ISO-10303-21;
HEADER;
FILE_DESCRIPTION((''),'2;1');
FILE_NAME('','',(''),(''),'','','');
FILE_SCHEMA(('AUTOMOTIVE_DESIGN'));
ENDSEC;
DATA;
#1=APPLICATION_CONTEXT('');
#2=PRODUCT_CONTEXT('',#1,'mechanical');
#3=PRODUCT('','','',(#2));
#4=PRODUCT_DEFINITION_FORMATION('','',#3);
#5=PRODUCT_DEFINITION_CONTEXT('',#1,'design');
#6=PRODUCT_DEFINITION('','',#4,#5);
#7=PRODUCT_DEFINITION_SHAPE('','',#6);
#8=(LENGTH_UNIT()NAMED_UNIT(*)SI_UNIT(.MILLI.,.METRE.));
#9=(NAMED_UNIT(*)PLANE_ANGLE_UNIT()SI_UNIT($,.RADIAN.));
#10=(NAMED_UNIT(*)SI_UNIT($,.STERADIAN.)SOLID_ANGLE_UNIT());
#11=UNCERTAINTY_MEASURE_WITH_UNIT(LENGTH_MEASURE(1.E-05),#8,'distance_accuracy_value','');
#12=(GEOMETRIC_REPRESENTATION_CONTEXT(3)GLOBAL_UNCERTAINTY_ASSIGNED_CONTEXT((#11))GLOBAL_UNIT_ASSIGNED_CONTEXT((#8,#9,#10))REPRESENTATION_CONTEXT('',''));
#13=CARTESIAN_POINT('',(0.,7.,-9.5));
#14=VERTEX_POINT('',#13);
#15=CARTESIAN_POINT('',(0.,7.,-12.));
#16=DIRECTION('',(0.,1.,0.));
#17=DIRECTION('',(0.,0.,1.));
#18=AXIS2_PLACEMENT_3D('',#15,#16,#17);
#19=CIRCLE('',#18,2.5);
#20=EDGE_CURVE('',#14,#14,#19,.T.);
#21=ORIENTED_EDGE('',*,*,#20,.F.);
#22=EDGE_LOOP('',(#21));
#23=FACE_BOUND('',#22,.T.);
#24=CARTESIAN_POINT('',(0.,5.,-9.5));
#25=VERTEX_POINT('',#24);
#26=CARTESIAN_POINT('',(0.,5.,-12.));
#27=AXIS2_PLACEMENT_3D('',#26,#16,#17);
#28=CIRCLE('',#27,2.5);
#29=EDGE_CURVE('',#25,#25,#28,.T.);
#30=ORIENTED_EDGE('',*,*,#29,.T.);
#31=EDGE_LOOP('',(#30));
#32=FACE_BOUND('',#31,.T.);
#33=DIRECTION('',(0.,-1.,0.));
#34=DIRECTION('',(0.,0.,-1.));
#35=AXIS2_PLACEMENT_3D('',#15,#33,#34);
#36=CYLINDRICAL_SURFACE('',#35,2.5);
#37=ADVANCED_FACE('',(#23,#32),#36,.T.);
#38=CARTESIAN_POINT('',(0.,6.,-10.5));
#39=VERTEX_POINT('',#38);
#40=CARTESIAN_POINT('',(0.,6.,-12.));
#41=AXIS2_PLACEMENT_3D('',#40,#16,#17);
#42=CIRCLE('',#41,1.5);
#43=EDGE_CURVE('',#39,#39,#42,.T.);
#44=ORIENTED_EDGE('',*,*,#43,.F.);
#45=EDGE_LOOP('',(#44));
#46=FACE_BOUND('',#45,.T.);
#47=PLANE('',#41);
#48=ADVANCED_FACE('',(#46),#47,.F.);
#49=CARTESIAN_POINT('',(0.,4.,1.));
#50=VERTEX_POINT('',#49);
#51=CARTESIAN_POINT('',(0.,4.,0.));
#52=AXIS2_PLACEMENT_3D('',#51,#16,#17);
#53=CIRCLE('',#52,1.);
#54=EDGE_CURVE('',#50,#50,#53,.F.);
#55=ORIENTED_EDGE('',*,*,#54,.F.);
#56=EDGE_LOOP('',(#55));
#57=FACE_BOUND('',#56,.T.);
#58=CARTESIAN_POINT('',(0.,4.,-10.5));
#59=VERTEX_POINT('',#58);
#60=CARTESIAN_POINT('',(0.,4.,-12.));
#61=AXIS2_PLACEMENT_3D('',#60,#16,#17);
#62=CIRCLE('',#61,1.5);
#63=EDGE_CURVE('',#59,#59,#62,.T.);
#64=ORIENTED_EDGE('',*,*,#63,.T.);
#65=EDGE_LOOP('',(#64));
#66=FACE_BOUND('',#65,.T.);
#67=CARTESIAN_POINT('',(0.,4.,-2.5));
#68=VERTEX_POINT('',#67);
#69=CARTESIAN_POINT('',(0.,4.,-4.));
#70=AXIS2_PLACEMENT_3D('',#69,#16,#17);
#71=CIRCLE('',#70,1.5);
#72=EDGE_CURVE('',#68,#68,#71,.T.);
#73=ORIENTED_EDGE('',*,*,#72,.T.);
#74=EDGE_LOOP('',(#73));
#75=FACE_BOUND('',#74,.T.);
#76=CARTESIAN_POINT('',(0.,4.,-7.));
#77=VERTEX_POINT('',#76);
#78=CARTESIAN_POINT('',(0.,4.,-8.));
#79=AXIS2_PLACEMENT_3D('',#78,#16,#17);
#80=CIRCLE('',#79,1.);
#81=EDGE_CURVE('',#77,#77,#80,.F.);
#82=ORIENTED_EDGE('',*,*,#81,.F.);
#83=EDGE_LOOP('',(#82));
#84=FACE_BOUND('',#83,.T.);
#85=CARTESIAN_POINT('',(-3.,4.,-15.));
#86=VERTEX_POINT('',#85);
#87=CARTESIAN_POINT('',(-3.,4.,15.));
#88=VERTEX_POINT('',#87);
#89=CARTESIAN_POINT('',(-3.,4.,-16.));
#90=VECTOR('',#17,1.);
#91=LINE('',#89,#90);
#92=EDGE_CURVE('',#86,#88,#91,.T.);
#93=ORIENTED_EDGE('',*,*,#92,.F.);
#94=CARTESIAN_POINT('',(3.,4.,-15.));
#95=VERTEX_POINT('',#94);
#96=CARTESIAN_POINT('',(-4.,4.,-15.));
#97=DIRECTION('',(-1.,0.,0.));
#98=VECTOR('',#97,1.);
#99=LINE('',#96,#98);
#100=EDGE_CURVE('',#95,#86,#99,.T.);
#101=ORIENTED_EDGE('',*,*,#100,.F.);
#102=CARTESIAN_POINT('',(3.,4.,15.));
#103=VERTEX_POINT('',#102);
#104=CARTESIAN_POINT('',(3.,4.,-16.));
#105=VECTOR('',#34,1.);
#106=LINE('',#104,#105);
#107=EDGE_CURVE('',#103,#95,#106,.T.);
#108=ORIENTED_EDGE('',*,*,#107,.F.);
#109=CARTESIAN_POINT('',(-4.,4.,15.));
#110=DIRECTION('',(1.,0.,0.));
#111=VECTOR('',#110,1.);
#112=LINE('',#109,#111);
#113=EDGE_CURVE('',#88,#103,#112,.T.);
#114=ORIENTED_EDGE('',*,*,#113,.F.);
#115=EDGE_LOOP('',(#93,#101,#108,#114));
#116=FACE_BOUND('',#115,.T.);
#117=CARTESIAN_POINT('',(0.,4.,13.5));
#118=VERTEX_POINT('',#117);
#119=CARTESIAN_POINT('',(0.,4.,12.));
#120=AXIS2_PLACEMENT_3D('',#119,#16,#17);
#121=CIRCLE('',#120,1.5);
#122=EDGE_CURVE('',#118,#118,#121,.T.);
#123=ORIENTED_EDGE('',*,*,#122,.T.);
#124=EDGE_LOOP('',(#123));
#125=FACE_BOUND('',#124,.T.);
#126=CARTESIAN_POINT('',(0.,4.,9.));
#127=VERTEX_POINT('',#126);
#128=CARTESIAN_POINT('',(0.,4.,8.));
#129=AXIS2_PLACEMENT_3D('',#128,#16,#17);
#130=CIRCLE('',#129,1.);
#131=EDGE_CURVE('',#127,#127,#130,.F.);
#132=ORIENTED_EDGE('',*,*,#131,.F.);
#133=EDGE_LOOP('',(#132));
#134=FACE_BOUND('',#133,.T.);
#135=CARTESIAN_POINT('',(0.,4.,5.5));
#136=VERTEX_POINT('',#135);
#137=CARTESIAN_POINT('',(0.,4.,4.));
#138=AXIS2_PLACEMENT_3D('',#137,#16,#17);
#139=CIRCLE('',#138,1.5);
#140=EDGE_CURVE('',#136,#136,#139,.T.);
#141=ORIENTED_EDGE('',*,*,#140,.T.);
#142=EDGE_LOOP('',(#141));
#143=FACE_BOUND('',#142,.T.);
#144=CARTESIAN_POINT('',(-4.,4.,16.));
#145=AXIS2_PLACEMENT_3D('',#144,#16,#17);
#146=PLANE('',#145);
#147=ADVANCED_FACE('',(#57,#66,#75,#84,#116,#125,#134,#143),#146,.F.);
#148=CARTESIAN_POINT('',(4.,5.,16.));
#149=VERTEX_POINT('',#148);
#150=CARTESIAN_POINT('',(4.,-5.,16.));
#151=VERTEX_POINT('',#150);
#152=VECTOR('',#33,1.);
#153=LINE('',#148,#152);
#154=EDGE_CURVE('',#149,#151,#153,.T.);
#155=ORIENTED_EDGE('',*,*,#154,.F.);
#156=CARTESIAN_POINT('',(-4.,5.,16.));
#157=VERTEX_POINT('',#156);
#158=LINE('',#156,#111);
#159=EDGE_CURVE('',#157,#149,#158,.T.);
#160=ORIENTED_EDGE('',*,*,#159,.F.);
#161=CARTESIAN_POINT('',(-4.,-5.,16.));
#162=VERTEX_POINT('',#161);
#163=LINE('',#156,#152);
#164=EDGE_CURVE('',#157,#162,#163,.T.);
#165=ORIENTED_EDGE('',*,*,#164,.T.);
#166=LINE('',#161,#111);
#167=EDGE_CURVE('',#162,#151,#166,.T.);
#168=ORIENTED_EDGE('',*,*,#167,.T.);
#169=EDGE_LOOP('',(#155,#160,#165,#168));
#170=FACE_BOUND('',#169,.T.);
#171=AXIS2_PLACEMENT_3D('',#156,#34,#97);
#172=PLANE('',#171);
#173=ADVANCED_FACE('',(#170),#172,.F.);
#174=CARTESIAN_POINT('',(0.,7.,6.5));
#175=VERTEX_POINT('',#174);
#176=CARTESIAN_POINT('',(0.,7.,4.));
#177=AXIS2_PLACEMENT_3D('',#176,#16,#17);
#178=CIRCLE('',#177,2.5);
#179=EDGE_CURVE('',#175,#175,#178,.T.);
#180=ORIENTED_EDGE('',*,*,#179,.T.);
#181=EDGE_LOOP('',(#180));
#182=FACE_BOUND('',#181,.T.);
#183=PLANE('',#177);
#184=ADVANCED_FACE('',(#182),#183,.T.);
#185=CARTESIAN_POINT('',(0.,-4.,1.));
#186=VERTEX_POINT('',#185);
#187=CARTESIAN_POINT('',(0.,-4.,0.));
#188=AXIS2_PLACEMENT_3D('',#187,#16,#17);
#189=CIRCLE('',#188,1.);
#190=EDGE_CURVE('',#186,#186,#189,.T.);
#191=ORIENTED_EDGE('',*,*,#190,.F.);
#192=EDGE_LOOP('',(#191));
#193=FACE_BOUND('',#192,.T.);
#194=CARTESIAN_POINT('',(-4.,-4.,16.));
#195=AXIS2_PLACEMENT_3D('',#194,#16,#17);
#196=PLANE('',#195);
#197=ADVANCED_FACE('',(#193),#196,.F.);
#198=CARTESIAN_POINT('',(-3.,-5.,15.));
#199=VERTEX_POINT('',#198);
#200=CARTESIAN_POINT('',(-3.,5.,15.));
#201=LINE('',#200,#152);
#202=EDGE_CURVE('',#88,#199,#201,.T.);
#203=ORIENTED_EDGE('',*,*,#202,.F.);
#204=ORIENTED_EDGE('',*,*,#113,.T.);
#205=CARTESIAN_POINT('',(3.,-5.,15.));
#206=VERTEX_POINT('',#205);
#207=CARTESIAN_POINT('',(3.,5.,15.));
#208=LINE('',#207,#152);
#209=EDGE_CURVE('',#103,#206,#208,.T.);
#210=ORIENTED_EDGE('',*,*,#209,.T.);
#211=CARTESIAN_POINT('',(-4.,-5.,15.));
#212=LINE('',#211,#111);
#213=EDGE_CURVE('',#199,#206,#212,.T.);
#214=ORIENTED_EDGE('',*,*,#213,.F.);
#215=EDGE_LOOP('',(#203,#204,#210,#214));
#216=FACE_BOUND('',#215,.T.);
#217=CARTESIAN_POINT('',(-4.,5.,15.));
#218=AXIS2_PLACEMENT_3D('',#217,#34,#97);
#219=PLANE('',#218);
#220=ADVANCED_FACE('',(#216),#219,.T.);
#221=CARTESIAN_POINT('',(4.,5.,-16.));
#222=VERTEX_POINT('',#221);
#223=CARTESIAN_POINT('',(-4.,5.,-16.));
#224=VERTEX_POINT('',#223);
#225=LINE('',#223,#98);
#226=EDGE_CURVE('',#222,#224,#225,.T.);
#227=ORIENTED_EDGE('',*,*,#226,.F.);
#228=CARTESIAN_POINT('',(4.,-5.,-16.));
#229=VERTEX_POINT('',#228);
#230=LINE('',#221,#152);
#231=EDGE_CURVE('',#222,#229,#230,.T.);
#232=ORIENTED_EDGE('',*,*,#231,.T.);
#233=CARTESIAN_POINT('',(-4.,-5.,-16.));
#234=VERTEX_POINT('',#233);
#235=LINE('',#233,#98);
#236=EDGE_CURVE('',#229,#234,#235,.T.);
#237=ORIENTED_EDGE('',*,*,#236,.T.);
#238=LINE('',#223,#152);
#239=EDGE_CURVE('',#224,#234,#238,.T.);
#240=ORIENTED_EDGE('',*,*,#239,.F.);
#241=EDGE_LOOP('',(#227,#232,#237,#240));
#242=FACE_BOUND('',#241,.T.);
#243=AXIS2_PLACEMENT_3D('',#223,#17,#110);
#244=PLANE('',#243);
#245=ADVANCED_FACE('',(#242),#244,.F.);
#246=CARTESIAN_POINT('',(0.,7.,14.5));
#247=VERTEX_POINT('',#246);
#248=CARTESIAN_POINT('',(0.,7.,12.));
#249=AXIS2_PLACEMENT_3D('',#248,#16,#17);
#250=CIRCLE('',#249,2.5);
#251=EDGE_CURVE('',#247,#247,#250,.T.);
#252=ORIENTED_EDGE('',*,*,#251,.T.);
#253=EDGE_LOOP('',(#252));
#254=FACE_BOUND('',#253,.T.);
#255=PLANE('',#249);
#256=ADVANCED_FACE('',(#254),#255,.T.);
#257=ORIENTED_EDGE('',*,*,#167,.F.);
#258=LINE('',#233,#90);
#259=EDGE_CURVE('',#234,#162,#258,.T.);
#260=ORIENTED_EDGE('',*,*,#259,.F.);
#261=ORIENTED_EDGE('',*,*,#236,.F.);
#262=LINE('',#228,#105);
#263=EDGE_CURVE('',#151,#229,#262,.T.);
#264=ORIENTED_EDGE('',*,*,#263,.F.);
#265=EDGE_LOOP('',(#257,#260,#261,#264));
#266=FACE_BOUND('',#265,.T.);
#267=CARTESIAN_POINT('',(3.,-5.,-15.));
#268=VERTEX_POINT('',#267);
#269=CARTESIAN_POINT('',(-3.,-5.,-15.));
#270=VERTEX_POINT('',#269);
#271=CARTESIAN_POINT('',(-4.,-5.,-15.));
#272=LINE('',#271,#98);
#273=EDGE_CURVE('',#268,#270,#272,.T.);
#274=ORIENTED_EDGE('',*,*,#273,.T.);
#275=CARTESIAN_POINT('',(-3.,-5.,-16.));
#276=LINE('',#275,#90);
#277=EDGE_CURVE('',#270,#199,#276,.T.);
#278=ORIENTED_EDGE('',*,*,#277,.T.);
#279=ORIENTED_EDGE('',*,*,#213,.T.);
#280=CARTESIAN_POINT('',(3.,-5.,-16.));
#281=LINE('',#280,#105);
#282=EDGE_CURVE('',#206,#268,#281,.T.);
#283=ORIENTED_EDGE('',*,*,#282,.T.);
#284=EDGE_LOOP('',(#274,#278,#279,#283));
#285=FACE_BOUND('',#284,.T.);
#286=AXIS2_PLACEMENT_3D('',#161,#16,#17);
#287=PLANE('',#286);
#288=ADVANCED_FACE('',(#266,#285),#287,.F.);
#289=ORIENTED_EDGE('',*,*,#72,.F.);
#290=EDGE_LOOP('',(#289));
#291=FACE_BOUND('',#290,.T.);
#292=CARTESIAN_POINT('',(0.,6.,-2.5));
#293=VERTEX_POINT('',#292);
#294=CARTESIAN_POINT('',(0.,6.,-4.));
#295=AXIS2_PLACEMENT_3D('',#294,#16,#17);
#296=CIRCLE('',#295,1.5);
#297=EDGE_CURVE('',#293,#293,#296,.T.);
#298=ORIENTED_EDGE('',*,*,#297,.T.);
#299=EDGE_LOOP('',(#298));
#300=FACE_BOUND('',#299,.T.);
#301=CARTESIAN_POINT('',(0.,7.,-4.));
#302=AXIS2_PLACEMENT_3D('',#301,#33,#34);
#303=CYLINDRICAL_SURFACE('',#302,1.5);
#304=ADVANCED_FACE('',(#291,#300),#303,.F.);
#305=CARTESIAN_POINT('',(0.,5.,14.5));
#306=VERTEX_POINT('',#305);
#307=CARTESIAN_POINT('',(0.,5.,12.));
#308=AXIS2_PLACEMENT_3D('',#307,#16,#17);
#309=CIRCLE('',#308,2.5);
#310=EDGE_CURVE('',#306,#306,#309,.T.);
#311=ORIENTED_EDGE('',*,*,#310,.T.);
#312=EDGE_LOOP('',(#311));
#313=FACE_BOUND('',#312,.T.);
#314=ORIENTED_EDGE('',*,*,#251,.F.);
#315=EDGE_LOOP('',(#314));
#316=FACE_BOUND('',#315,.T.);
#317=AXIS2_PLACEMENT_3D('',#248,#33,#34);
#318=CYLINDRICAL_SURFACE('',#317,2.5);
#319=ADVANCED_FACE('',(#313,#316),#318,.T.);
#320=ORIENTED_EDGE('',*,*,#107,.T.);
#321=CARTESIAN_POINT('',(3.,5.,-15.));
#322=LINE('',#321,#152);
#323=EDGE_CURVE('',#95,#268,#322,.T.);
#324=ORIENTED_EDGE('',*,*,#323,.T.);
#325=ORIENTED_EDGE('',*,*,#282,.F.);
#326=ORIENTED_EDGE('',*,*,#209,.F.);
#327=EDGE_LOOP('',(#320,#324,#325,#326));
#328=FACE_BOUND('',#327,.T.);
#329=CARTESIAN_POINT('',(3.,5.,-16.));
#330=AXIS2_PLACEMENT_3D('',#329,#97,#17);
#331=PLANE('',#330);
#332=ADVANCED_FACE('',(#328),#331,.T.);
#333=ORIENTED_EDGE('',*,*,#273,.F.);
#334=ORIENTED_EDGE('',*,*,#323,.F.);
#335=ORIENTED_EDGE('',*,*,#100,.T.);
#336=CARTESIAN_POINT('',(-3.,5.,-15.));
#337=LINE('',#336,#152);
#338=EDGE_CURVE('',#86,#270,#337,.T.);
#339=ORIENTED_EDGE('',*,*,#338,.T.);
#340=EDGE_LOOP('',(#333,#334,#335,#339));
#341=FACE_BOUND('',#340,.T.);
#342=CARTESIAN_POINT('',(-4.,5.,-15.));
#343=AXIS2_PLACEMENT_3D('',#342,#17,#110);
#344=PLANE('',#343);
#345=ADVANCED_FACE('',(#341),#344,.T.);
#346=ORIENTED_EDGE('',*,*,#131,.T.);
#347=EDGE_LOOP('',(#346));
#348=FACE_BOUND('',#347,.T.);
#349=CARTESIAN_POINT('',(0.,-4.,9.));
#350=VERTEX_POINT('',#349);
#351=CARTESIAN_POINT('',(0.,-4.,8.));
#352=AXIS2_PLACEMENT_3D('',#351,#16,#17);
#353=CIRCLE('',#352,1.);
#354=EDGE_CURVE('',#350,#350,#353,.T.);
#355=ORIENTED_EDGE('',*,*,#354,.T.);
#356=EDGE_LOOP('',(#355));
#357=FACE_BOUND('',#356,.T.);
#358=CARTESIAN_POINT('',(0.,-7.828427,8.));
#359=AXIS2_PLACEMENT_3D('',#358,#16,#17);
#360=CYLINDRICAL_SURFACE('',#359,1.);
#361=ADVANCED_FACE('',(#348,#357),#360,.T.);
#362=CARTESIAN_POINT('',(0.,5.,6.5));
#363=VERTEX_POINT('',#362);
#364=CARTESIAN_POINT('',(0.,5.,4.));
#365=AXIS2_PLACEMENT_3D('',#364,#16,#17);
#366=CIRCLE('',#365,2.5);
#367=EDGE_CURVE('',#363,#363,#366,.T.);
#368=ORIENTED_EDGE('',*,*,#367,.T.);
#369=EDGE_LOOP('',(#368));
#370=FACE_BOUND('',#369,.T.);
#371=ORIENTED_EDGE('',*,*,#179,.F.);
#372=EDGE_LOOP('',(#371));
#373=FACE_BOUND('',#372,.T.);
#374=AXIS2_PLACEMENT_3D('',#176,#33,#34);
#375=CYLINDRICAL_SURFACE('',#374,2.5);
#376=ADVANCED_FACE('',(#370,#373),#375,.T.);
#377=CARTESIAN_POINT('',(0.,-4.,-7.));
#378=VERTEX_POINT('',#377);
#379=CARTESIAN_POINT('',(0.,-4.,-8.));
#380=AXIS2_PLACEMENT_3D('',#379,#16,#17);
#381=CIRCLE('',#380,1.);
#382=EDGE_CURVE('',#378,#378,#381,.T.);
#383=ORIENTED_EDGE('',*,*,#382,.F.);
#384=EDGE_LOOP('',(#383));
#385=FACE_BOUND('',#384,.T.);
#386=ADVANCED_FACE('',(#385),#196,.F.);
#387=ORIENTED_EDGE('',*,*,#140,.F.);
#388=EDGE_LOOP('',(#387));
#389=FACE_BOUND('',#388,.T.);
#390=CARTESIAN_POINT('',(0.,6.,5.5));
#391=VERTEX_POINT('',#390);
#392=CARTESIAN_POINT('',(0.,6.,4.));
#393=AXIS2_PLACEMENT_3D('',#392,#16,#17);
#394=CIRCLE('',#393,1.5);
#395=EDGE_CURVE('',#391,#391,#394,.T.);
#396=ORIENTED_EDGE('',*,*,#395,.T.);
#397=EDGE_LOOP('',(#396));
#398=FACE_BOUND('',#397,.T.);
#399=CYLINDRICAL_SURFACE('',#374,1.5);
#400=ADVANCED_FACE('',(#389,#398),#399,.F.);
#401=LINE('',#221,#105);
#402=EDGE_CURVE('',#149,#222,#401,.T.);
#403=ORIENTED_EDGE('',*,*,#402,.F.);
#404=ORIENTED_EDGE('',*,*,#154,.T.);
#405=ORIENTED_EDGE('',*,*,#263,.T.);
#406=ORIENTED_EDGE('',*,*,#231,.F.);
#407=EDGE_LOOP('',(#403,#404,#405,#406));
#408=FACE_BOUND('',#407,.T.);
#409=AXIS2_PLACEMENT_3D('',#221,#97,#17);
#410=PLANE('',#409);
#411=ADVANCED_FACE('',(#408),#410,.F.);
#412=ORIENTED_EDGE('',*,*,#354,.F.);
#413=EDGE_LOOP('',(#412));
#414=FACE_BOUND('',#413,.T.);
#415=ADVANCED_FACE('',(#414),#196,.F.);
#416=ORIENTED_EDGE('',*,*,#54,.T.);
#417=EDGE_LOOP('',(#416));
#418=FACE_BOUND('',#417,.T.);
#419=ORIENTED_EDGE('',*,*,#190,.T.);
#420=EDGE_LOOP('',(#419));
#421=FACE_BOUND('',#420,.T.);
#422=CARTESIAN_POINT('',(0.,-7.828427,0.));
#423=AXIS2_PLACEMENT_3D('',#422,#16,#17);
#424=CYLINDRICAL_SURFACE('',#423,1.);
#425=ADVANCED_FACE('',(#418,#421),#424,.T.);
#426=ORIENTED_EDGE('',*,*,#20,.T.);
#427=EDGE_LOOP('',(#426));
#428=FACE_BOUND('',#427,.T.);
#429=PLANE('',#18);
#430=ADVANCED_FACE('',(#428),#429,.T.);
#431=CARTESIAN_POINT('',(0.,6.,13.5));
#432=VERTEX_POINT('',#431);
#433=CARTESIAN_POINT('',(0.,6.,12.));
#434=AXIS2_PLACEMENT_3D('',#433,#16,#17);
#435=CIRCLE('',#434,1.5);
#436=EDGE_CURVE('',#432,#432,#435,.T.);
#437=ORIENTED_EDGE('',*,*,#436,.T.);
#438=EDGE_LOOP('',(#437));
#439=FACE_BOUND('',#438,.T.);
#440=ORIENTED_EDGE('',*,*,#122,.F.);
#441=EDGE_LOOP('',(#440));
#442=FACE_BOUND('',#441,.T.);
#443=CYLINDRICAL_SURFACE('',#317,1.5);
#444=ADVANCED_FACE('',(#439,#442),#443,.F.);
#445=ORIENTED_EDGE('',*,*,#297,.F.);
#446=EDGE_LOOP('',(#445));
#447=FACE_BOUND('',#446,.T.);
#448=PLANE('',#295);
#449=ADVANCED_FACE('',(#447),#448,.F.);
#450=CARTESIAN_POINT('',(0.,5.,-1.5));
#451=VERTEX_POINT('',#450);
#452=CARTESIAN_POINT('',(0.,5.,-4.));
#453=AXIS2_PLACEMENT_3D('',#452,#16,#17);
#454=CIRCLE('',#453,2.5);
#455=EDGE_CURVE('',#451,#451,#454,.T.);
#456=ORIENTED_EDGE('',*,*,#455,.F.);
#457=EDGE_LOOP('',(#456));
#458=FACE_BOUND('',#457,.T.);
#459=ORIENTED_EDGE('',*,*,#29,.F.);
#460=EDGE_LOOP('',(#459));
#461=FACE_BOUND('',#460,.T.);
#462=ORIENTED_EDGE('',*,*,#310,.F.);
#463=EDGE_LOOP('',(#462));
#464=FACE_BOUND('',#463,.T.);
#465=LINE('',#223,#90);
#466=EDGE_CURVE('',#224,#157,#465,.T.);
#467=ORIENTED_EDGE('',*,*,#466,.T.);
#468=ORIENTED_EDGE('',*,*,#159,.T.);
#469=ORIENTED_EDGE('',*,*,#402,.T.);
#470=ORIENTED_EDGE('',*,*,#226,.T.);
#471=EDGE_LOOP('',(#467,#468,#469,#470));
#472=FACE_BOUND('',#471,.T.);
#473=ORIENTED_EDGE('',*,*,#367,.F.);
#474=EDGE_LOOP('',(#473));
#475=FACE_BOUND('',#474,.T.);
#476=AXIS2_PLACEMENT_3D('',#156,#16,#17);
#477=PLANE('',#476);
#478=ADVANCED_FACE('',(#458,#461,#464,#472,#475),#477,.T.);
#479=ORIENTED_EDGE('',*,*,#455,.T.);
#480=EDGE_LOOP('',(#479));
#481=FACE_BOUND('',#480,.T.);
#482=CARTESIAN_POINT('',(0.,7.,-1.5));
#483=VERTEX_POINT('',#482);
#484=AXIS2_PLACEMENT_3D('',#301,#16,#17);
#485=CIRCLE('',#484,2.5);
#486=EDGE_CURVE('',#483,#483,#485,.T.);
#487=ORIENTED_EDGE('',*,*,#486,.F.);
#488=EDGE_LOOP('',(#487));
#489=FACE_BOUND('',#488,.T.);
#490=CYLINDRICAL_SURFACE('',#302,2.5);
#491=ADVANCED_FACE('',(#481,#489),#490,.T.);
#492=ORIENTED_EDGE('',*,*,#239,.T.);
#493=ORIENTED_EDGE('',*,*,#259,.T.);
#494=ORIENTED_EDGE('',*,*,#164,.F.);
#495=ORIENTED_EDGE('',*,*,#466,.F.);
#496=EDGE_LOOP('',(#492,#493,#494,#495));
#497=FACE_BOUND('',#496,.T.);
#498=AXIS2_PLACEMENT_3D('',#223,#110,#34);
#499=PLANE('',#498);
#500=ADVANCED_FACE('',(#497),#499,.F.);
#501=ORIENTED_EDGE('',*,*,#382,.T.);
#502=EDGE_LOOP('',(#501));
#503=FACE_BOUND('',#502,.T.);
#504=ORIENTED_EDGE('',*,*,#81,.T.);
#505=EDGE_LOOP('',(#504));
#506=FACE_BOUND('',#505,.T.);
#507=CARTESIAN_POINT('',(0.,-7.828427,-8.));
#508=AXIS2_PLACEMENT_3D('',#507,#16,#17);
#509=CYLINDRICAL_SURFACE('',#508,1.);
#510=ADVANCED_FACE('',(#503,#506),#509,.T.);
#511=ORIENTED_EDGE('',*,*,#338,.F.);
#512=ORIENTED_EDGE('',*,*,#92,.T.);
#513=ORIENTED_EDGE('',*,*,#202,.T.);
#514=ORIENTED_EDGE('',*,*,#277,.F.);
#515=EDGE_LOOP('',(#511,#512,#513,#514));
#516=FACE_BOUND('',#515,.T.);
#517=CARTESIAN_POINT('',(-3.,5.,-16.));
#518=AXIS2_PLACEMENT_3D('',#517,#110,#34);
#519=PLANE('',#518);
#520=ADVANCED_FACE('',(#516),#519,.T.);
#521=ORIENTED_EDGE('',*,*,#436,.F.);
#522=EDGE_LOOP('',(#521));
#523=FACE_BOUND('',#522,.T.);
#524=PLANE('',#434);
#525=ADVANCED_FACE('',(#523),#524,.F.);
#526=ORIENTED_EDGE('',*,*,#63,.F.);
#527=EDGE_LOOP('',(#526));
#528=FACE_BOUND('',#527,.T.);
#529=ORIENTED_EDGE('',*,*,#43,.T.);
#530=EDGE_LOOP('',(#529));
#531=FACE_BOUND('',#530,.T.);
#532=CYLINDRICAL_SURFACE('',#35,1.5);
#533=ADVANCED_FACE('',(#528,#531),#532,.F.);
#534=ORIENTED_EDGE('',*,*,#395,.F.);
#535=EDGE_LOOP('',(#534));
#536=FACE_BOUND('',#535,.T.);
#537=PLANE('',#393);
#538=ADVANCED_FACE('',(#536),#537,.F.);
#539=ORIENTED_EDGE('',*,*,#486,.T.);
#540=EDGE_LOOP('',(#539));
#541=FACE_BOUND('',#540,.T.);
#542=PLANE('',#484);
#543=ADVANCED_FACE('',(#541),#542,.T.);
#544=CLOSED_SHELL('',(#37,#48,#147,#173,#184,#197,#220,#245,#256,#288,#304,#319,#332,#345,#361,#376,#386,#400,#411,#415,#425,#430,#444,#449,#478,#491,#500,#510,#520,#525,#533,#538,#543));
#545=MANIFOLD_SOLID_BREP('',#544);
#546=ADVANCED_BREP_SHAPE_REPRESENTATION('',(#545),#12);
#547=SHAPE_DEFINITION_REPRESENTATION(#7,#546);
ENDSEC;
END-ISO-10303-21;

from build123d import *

# Parameters (mm, degrees)
SKETCH1_W                 = 8
SKETCH1_H                 = 32
BASE_EXTRUDE_DEPTH        = 5
SKETCH2_R                 = 2.5
BOSS_EXTRUDE1_DEPTH       = 2
TOP_BUTTON_PATTERN_COUNT  = 4
TOP_BUTTON_PATTERN_PITCH  = 8
SHELL1_T                  = -1
SKETCH3_R                 = 1
BOTTOM_POST_DEPTH         = 8
BOTTOM_POST_PATTERN_COUNT = 3
BOTTOM_POST_PATTERN_PITCH = 8


with BuildPart() as part:
    # Sketch1 → Base-Extrude (new, symmetric)
    with BuildSketch(Plane(origin=(0, 0, 0), x_dir=(1, 0, 0), z_dir=(0, 1, 0))):
        Rectangle(SKETCH1_W, SKETCH1_H)
    extrude(amount=BASE_EXTRUDE_DEPTH, both=True)

    # Sketch2 → Boss-Extrude1 (add)
    with BuildSketch(Plane(origin=(0, 5, 0), x_dir=(-1, 0, 0), z_dir=(0, 1, 0))):
        with Locations(Location((0, 12, 0), (0, 0, 90))):
            Circle(SKETCH2_R)
    boss_extrude1 = extrude(amount=BOSS_EXTRUDE1_DEPTH)

    # Top Button Pattern: Boss-Extrude1 ×4
    with Locations(*[(0, 0, -i * TOP_BUTTON_PATTERN_PITCH) for i in range(1, TOP_BUTTON_PATTERN_COUNT)]):
        add(boss_extrude1)

    # Shell1
    shell1_openings = [part.faces().sort_by_distance(p)[0] for p in [
        (0, -5, 0),
    ]]
    offset(amount=SHELL1_T, openings=shell1_openings, kind=Kind.INTERSECTION)

    # Sketch3 → Bottom Post (add)
    with BuildSketch(Plane.XZ.offset(-4)):
        with Locations(Location((0, 8, 0), (0, 0, 90))):
            Circle(SKETCH3_R)
    bottom_post = extrude(amount=BOTTOM_POST_DEPTH)

    # Bottom Post Pattern: Bottom Post ×3
    with Locations(*[(0, 0, -i * BOTTOM_POST_PATTERN_PITCH) for i in range(1, BOTTOM_POST_PATTERN_COUNT)]):
        add(bottom_post)


solid = part.part
